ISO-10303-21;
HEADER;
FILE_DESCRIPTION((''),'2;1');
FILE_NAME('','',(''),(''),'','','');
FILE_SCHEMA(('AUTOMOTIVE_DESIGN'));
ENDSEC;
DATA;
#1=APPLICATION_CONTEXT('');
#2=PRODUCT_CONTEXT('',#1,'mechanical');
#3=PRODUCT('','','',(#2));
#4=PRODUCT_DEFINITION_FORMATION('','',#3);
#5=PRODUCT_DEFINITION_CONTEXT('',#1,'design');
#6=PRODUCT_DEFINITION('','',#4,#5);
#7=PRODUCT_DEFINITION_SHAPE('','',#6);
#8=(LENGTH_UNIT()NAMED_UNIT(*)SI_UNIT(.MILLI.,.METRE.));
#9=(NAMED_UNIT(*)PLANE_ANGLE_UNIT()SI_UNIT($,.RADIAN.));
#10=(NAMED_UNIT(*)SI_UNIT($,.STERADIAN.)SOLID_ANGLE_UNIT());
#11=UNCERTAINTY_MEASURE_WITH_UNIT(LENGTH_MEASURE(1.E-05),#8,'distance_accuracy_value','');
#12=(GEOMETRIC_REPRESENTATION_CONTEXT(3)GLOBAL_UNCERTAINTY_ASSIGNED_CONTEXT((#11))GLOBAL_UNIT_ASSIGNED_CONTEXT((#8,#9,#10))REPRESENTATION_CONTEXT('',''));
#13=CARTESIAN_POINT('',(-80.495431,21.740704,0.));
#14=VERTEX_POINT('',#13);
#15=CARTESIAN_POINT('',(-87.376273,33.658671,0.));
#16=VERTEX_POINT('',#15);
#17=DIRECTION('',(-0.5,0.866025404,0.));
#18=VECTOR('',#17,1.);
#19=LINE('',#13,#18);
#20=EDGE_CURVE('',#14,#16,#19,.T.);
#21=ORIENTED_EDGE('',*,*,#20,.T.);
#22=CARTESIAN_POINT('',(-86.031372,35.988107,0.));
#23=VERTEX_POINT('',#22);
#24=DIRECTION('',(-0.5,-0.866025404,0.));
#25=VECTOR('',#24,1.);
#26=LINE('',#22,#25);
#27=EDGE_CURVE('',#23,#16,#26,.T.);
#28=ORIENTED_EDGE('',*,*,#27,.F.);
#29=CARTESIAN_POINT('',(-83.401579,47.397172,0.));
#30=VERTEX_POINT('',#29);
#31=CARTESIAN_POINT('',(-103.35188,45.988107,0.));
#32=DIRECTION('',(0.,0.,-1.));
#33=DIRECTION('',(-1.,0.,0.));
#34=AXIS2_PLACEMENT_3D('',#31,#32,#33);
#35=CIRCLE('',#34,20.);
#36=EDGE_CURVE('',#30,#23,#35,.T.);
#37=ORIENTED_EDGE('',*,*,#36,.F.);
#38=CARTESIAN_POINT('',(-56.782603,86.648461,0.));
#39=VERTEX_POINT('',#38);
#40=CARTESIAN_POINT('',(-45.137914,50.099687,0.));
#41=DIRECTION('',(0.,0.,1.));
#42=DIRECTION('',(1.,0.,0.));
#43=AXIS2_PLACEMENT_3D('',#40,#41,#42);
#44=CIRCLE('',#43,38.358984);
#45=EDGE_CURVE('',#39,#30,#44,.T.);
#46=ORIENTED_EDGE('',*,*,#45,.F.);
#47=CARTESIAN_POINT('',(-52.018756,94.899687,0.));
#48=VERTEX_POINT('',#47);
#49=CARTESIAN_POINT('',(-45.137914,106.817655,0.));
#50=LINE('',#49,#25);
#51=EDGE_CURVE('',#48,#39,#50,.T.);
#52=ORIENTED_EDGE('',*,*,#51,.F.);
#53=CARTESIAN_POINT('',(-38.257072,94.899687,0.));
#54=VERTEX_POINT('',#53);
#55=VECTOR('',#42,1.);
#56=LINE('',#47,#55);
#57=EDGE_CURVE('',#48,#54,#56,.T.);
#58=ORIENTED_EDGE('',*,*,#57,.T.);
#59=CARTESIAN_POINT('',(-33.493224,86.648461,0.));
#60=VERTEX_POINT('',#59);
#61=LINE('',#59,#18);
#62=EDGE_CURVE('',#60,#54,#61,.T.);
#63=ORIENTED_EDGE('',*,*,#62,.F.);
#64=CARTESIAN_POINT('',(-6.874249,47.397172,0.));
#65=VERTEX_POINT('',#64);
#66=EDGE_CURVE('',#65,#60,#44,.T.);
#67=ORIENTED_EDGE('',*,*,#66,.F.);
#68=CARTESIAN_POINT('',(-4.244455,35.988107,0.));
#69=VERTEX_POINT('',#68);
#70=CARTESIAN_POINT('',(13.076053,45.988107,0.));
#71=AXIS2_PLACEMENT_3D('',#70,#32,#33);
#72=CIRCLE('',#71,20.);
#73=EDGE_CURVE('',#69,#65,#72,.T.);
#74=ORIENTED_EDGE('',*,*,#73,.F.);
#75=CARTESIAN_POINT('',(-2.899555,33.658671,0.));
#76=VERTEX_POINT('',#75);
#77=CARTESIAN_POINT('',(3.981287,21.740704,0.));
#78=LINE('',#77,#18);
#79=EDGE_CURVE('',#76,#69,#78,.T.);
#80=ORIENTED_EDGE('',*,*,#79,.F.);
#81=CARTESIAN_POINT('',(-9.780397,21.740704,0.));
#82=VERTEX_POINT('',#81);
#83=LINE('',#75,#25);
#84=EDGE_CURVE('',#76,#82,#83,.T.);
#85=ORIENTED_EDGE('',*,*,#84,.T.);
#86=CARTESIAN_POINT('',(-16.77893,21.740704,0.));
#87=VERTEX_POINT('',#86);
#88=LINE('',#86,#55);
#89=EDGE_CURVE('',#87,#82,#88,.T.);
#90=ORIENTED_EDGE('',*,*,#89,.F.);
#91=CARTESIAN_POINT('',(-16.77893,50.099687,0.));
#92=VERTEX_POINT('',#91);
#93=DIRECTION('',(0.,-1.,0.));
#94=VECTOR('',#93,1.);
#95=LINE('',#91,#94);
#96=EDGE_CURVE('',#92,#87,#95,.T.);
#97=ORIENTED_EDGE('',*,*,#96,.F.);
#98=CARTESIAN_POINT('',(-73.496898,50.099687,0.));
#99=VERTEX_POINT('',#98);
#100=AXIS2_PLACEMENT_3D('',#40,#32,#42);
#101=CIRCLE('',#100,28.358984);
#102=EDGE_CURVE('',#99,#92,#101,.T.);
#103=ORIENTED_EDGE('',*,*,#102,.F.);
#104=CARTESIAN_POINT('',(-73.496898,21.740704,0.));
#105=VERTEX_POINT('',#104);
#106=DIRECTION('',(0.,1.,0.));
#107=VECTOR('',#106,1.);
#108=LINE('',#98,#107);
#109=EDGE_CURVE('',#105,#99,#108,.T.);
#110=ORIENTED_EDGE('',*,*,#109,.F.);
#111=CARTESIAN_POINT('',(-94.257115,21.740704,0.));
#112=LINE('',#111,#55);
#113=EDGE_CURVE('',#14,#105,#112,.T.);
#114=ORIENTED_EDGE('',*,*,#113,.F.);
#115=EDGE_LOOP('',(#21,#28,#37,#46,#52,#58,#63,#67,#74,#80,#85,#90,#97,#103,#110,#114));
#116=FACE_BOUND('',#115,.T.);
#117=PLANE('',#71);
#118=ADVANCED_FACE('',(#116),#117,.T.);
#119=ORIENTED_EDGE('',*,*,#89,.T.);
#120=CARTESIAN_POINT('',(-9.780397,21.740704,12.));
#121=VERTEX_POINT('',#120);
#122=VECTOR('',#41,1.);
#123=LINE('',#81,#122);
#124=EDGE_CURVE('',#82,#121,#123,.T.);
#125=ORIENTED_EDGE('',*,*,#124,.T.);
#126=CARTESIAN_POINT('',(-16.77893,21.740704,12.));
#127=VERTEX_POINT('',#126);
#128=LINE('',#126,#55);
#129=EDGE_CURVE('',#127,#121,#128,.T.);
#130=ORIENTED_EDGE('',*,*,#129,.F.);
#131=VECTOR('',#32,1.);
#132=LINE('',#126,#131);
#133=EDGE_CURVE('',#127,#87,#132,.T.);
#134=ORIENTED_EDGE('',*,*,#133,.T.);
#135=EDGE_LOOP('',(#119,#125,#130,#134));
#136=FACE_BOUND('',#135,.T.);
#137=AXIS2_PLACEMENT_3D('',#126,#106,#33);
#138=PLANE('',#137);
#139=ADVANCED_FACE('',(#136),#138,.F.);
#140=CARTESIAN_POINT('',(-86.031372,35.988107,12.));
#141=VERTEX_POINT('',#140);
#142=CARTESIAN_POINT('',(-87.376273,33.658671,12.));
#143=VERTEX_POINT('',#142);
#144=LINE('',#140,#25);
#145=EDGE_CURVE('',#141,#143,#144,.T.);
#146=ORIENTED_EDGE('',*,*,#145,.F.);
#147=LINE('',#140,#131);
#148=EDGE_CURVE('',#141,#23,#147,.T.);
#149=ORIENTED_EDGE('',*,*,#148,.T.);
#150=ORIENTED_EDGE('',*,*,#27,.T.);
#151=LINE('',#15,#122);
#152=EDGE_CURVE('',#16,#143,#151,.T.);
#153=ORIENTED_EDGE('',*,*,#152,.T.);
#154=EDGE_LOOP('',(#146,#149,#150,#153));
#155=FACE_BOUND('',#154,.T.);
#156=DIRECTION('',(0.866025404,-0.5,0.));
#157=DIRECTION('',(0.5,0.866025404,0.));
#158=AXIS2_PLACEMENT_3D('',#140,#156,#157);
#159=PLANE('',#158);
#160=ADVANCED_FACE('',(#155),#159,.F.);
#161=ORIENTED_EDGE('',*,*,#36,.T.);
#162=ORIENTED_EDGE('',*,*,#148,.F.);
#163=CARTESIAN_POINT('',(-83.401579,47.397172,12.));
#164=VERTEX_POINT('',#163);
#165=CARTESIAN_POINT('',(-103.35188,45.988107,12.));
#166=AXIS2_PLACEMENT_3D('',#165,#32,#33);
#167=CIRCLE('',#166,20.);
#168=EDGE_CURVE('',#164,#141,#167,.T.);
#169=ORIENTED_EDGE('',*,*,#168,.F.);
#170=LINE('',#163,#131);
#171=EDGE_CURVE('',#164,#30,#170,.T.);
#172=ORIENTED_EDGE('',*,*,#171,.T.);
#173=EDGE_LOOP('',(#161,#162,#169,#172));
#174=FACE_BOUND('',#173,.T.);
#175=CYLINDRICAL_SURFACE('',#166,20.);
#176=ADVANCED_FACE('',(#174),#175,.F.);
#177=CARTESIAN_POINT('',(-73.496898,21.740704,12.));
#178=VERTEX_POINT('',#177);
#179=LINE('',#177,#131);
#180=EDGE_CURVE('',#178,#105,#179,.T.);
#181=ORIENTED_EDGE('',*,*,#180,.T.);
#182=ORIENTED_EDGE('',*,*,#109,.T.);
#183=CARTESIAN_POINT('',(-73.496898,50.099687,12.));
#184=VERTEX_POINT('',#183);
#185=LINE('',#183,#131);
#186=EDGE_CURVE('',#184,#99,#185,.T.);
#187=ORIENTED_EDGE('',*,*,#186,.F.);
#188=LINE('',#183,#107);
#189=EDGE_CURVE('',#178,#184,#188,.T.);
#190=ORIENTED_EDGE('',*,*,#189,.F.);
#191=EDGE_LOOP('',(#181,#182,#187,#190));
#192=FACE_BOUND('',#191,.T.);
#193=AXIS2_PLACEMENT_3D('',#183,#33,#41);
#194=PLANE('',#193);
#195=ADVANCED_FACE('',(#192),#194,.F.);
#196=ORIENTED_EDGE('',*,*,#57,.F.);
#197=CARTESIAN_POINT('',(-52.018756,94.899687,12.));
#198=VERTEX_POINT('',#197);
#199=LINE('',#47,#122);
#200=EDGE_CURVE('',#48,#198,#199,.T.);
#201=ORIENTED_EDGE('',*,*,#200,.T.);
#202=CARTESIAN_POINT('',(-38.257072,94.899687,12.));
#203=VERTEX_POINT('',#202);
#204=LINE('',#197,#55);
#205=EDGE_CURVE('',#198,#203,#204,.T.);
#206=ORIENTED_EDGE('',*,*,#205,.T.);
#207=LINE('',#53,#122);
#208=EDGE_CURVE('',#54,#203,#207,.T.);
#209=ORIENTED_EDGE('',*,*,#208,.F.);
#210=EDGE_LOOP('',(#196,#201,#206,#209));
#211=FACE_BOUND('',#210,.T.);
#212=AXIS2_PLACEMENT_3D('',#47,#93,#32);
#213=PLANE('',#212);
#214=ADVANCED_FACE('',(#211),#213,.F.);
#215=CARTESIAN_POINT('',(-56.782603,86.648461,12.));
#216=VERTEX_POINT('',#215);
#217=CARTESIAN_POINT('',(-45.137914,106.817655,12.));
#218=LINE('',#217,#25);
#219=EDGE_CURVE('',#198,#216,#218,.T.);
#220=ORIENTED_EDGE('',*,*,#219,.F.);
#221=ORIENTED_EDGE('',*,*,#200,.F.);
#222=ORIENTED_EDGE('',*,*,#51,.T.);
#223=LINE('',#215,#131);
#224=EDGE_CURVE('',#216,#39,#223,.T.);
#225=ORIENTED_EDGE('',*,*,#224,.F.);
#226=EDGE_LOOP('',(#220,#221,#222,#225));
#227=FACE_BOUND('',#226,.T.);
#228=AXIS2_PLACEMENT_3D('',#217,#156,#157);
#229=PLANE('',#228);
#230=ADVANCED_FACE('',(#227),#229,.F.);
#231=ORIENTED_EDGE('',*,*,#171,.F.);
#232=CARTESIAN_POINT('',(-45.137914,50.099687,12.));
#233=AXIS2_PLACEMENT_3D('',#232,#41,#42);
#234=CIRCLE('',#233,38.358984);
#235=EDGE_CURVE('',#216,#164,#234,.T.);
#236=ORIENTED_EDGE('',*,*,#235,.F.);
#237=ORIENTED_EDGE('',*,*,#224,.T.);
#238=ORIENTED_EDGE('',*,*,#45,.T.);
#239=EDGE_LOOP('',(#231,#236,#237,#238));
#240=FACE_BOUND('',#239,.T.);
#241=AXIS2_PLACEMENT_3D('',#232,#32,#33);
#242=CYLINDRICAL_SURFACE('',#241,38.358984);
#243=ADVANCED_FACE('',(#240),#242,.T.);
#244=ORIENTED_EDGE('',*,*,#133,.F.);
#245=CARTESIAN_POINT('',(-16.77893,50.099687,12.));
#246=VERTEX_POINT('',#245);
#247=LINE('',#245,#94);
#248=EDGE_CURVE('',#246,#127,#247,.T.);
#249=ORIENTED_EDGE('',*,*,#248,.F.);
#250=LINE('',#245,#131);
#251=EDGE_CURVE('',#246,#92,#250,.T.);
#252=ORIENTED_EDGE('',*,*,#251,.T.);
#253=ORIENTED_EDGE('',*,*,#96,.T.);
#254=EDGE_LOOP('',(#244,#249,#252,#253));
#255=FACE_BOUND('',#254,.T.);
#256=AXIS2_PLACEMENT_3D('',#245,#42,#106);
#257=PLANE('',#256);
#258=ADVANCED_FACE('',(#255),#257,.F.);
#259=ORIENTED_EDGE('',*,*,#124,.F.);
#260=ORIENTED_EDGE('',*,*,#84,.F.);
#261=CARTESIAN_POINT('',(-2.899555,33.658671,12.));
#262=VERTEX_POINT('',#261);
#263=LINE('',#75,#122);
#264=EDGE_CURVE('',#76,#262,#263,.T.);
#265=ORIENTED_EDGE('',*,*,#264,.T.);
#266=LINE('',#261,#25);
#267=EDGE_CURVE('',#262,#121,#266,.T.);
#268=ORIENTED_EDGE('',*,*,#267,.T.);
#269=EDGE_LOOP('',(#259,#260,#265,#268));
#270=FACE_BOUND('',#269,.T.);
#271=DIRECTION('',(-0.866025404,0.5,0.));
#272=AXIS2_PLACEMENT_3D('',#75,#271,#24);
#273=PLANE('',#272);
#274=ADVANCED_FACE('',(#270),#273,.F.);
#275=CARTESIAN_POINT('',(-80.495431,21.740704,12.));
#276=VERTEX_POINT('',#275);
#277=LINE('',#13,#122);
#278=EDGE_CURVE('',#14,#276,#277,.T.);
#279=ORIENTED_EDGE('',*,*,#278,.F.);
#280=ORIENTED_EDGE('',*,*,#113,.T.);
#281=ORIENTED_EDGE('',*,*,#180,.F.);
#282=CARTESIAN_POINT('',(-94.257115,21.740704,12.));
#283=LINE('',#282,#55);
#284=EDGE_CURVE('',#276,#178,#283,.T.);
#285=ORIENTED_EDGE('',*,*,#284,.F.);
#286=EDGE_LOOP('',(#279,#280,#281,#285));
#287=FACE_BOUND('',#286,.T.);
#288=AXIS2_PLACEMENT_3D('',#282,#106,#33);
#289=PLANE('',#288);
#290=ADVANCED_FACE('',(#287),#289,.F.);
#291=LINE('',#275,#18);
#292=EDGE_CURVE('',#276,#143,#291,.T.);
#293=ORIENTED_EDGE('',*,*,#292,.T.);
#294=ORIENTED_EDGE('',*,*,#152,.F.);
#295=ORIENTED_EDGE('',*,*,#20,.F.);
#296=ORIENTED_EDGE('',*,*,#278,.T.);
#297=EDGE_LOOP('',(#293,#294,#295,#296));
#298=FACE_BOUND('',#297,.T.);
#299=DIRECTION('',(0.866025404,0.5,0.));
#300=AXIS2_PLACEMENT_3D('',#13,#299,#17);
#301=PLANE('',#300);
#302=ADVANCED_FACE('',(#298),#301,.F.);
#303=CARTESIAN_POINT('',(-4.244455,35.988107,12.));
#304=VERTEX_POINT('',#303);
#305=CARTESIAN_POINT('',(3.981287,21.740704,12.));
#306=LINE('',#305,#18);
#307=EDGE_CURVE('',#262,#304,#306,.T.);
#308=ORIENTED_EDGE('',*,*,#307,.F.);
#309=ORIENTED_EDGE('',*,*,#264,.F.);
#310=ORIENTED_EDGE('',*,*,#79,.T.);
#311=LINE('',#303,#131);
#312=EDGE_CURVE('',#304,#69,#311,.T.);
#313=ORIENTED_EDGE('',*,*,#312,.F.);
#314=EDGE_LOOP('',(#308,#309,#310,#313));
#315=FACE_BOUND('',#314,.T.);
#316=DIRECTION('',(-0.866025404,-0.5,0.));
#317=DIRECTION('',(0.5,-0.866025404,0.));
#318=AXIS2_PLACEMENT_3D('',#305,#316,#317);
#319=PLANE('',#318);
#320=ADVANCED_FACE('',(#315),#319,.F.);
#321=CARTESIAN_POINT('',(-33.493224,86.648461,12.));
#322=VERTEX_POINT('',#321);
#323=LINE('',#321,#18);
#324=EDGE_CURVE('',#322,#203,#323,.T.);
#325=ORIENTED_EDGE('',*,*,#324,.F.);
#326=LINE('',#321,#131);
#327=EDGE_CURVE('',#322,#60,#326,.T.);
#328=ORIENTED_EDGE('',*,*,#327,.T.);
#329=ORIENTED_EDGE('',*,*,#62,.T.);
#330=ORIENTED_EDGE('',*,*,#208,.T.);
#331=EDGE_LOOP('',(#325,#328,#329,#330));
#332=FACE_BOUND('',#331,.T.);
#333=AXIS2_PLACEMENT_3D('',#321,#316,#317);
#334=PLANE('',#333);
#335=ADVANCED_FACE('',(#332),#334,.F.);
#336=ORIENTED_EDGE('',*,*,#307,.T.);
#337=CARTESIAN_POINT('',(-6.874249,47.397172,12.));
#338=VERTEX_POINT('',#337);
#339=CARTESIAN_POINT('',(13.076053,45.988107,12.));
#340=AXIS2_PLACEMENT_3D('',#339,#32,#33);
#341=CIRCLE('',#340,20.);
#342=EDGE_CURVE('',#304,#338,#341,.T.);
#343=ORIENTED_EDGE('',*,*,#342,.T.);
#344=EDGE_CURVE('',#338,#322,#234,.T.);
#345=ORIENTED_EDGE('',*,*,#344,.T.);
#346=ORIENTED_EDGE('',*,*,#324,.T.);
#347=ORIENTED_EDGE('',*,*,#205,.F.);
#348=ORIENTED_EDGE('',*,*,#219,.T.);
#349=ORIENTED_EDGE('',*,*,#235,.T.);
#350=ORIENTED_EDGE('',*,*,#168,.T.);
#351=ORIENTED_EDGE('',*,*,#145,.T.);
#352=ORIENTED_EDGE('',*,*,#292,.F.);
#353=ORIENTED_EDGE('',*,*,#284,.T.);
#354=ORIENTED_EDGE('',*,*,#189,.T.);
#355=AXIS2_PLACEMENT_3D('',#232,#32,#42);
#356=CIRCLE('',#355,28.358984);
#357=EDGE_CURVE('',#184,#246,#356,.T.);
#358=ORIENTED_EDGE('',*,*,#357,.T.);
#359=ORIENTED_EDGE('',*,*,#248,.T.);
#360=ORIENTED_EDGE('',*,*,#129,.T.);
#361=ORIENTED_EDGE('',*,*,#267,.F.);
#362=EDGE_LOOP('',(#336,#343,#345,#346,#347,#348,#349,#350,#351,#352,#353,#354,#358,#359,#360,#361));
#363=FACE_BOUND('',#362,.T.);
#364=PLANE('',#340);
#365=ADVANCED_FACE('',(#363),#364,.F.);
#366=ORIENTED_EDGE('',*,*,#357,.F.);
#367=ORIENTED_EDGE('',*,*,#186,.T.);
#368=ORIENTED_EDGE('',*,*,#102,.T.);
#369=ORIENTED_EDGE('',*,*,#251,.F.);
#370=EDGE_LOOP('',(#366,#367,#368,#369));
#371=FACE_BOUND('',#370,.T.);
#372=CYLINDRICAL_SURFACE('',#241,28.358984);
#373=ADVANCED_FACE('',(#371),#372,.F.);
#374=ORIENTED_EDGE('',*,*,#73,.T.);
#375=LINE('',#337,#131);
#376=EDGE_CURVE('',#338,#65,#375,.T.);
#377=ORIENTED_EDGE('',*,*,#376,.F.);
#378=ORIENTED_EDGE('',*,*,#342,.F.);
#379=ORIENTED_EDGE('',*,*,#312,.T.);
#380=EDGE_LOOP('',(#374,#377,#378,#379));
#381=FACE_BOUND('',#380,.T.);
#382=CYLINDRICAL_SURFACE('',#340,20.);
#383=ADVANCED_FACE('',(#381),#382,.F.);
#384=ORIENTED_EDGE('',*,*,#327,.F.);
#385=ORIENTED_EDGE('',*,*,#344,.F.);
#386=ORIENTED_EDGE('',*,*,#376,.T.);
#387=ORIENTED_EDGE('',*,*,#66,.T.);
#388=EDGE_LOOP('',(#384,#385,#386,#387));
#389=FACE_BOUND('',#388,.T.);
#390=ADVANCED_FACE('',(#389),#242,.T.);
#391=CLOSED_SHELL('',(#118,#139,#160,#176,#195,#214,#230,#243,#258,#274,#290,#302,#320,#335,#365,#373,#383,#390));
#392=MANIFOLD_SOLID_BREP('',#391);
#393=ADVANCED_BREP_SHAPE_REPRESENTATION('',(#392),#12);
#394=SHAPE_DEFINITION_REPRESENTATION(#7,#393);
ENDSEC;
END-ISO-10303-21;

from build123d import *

# Parameters (mm, degrees)
BOSS_EXTRUDE1_DEPTH = 12
CUT_EXTRUDE1_DEPTH  = 12


with BuildPart() as part:
    # Sketch1 → Boss-Extrude1 (new body)
    with BuildSketch(Plane.XY):
        with BuildLine():
            Line((-45.137913667, 106.817655073), (-56.782603372, 86.648460865))
            ThreePointArc((-56.782603372, 86.648460865), (-76.884990379, 71.629544832), (-83.401578598, 47.397172266))
            ThreePointArc((-83.401578598, 47.397172266), (-83.862908864, 41.49589237), (-86.031372169, 35.98810725))
            Line((-86.031372169, 35.98810725), (-94.257114543, 21.740703527))
            Line((-94.257114543, 21.740703527), (-73.496897515, 21.740703527))
            Line((-73.496897515, 21.740703527), (-73.496897515, 50.099687376))
            ThreePointArc((-73.496897515, 50.099687376), (-45.137913667, 78.458671224), (-16.778929818, 50.099687376))
            Line((-16.778929818, 50.099687376), (-16.778929818, 21.740703527))
            Line((-16.778929818, 21.740703527), (3.98128721, 21.740703527))
            Line((3.98128721, 21.740703527), (-4.244455165, 35.98810725))
            ThreePointArc((-4.244455165, 35.98810725), (-6.412918469, 41.49589237), (-6.874248735, 47.397172266))
            ThreePointArc((-6.874248735, 47.397172266), (-13.390836954, 71.629544832), (-33.493223961, 86.648460865))
            Line((-33.493223961, 86.648460865), (-45.137913667, 106.817655073))
        make_face()
    extrude(amount=BOSS_EXTRUDE1_DEPTH)

    # Sketch2 → Cut-Extrude1 (cut)
    with BuildSketch(Plane.XY.offset(12)):
        Polygon((-52.018755525, 94.899687376), (-38.257071808, 94.899687376), (-45.137913667, 106.817655073), align=None)
        Polygon((-80.495430827, 21.740703527), (-87.376272685, 33.658671224), (-94.257114543, 21.740703527), align=None)
        Polygon((-2.899554648, 33.658671224), (-9.780396506, 21.740703527), (3.98128721, 21.740703527), align=None)
    extrude(amount=-CUT_EXTRUDE1_DEPTH, mode=Mode.SUBTRACT)


solid = part.part
